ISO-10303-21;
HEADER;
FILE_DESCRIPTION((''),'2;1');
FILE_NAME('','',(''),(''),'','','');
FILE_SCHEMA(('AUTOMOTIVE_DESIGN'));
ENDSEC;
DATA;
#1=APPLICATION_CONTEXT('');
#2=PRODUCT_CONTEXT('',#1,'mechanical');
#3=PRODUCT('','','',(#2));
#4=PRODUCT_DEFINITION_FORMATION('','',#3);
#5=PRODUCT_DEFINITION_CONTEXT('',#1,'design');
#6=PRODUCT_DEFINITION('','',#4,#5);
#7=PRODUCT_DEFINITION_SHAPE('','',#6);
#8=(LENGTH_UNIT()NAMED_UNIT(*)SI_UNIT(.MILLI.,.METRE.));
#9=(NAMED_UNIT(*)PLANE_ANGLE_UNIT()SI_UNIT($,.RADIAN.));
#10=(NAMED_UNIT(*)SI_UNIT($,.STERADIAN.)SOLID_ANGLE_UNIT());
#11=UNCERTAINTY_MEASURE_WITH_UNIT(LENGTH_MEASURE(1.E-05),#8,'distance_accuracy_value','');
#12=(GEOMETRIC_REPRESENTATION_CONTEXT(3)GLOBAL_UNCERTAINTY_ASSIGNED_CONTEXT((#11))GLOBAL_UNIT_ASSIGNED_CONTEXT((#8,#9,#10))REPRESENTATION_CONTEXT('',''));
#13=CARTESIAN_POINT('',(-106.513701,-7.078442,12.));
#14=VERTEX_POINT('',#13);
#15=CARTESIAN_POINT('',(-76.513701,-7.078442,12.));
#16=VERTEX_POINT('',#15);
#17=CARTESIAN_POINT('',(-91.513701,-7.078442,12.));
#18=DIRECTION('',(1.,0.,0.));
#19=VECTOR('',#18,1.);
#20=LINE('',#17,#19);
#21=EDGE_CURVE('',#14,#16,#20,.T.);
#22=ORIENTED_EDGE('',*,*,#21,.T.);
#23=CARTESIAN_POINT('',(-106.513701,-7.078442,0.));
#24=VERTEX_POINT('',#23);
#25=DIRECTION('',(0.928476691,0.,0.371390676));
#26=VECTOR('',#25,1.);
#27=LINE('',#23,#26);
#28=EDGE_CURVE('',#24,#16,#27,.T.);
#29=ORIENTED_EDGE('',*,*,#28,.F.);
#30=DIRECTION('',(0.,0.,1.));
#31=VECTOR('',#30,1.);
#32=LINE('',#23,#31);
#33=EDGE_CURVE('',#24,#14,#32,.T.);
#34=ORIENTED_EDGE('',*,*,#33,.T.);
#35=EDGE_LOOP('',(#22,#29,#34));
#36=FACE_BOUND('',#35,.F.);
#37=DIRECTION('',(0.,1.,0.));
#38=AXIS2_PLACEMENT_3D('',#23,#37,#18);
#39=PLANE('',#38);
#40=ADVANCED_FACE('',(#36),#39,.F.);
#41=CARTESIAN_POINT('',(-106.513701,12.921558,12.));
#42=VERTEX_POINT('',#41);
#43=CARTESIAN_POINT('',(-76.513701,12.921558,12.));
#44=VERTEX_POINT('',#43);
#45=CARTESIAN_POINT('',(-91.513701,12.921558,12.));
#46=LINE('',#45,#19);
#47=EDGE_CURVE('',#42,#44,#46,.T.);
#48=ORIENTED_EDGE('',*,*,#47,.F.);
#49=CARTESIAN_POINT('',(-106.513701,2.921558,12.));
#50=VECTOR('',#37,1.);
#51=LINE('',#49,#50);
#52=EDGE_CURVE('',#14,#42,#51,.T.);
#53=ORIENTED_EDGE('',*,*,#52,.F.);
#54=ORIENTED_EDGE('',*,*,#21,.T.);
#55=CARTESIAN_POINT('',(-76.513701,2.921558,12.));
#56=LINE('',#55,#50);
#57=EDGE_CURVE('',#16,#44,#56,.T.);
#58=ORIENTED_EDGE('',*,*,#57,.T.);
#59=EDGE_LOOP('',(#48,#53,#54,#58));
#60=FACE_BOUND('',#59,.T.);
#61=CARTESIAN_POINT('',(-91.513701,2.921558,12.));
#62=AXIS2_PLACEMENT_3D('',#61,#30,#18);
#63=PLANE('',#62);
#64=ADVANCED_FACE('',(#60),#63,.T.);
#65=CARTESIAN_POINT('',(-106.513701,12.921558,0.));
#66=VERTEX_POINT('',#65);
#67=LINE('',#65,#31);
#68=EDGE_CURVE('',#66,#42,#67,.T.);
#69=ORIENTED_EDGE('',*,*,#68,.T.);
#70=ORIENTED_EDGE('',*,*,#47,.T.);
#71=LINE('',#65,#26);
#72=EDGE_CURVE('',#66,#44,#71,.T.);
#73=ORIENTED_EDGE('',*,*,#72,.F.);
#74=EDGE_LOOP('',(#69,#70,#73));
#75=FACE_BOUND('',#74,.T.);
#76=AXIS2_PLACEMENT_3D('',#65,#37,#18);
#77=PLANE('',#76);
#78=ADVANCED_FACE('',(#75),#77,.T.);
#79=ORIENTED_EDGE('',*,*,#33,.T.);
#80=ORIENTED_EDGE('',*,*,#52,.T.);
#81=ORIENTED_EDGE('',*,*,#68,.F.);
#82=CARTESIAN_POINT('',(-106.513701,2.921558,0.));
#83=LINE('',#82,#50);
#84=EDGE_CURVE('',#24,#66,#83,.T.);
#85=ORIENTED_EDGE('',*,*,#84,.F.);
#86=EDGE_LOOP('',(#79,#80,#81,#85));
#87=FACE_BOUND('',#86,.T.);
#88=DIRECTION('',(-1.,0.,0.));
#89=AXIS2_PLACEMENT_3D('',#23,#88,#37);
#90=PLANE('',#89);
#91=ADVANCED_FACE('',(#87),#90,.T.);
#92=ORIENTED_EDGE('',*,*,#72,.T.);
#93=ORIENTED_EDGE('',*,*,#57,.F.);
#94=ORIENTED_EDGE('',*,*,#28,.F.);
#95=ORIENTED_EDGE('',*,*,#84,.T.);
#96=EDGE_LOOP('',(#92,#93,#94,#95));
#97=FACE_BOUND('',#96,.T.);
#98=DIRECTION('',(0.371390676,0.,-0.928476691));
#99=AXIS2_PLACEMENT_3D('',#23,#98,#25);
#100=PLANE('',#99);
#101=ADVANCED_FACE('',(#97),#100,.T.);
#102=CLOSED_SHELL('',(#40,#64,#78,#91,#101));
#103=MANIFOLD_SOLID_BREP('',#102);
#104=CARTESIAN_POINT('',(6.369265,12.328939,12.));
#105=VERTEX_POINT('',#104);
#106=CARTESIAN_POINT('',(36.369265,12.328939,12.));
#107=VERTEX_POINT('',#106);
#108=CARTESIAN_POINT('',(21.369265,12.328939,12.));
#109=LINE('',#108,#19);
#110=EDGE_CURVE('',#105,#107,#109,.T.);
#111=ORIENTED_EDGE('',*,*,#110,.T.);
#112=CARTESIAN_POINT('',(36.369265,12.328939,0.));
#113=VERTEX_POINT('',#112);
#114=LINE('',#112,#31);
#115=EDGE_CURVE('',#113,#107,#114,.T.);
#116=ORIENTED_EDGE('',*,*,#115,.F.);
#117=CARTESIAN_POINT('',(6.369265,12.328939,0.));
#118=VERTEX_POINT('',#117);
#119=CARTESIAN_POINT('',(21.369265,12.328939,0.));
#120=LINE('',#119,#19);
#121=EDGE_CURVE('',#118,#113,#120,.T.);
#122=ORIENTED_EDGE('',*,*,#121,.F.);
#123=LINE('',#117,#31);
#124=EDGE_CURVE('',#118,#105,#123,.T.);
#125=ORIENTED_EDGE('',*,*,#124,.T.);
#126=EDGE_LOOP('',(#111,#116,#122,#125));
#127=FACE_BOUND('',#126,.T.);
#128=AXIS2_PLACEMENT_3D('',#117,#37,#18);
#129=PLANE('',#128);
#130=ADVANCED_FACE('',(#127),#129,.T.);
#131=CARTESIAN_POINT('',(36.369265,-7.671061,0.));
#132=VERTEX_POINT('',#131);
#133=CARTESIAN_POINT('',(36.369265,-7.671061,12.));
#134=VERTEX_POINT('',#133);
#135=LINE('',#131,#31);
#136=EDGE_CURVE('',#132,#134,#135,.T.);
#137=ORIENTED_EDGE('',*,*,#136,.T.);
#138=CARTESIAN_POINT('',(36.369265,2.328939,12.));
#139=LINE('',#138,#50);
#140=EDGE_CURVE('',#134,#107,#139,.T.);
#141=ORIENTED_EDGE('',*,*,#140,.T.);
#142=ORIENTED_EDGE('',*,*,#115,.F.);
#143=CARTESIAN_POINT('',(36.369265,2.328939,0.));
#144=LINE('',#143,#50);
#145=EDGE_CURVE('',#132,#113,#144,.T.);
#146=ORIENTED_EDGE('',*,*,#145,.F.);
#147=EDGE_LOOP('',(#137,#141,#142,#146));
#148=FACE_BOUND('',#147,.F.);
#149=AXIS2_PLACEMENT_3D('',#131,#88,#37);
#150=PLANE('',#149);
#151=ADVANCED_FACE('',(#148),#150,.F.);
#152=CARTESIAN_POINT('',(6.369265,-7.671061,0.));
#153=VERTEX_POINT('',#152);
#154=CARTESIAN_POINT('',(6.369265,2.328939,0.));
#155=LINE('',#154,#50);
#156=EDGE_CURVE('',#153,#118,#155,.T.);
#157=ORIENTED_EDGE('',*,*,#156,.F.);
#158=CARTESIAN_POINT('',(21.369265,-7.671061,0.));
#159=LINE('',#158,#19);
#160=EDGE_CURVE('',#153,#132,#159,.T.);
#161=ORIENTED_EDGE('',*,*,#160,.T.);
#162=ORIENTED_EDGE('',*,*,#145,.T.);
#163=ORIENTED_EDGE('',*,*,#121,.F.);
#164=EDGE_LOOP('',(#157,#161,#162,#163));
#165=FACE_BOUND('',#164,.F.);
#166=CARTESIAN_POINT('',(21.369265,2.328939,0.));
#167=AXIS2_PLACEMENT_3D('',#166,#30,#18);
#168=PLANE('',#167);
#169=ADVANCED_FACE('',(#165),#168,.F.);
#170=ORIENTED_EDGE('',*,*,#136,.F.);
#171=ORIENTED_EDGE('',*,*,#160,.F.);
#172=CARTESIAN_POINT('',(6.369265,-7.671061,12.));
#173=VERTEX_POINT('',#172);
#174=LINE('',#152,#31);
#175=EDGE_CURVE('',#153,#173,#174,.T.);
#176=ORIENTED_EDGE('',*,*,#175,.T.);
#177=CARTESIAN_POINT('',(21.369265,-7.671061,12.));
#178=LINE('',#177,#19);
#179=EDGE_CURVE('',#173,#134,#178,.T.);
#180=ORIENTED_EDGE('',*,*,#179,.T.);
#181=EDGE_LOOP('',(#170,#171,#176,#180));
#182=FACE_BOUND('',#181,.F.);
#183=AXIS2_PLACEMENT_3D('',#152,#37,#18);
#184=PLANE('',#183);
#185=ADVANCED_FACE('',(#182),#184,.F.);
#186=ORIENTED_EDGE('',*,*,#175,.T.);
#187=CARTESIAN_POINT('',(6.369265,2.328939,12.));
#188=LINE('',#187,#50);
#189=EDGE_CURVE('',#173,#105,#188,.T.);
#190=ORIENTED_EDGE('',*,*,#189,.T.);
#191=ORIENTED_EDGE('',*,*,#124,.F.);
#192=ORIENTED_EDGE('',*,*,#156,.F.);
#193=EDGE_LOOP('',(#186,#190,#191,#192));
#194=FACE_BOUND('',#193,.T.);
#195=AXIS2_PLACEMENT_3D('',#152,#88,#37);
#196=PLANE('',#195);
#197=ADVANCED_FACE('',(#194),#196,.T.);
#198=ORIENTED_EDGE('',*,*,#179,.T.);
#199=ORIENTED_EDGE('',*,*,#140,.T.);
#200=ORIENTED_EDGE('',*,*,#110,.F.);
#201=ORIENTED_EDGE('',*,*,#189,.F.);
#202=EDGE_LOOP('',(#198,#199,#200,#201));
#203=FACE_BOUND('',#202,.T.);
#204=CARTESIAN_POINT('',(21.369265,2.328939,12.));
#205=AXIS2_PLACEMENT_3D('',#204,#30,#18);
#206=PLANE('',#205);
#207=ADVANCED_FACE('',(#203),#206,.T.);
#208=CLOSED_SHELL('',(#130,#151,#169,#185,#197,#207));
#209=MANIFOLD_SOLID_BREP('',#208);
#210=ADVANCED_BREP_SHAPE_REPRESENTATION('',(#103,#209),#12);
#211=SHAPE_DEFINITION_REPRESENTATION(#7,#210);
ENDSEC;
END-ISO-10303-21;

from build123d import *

# Parameters (mm, degrees)
F0_W     = 30
F0_H     = 20
F1_DEPTH = 12
F3_DEPTH = 20


with BuildPart() as f1:
    # F0 (on Top) → F1 (new body)
    with BuildSketch(Plane.XY):
        with Locations((-91.5137013793, 2.9215582088)):
            Rectangle(F0_W, F0_H)
    extrude(amount=F1_DEPTH)

    # F2 (on face) → F3 (intersect)
    with BuildSketch(Plane.XZ.offset(7.0784417912)):
        Polygon((-106.5137013793, 12), (-106.5137013793, 0), (-76.5137013793, 12), align=None)
    extrude(amount=-F3_DEPTH, mode=Mode.INTERSECT)


with BuildPart() as f1b:
    # F0 (on Top) → F1, piece 2 (new body)
    with BuildSketch(Plane.XY):
        with Locations((21.369265262, 2.3289385624)):
            Rectangle(F0_W, F0_H)
    extrude(amount=F1_DEPTH)


solid = Compound([f1.part, f1b.part])
